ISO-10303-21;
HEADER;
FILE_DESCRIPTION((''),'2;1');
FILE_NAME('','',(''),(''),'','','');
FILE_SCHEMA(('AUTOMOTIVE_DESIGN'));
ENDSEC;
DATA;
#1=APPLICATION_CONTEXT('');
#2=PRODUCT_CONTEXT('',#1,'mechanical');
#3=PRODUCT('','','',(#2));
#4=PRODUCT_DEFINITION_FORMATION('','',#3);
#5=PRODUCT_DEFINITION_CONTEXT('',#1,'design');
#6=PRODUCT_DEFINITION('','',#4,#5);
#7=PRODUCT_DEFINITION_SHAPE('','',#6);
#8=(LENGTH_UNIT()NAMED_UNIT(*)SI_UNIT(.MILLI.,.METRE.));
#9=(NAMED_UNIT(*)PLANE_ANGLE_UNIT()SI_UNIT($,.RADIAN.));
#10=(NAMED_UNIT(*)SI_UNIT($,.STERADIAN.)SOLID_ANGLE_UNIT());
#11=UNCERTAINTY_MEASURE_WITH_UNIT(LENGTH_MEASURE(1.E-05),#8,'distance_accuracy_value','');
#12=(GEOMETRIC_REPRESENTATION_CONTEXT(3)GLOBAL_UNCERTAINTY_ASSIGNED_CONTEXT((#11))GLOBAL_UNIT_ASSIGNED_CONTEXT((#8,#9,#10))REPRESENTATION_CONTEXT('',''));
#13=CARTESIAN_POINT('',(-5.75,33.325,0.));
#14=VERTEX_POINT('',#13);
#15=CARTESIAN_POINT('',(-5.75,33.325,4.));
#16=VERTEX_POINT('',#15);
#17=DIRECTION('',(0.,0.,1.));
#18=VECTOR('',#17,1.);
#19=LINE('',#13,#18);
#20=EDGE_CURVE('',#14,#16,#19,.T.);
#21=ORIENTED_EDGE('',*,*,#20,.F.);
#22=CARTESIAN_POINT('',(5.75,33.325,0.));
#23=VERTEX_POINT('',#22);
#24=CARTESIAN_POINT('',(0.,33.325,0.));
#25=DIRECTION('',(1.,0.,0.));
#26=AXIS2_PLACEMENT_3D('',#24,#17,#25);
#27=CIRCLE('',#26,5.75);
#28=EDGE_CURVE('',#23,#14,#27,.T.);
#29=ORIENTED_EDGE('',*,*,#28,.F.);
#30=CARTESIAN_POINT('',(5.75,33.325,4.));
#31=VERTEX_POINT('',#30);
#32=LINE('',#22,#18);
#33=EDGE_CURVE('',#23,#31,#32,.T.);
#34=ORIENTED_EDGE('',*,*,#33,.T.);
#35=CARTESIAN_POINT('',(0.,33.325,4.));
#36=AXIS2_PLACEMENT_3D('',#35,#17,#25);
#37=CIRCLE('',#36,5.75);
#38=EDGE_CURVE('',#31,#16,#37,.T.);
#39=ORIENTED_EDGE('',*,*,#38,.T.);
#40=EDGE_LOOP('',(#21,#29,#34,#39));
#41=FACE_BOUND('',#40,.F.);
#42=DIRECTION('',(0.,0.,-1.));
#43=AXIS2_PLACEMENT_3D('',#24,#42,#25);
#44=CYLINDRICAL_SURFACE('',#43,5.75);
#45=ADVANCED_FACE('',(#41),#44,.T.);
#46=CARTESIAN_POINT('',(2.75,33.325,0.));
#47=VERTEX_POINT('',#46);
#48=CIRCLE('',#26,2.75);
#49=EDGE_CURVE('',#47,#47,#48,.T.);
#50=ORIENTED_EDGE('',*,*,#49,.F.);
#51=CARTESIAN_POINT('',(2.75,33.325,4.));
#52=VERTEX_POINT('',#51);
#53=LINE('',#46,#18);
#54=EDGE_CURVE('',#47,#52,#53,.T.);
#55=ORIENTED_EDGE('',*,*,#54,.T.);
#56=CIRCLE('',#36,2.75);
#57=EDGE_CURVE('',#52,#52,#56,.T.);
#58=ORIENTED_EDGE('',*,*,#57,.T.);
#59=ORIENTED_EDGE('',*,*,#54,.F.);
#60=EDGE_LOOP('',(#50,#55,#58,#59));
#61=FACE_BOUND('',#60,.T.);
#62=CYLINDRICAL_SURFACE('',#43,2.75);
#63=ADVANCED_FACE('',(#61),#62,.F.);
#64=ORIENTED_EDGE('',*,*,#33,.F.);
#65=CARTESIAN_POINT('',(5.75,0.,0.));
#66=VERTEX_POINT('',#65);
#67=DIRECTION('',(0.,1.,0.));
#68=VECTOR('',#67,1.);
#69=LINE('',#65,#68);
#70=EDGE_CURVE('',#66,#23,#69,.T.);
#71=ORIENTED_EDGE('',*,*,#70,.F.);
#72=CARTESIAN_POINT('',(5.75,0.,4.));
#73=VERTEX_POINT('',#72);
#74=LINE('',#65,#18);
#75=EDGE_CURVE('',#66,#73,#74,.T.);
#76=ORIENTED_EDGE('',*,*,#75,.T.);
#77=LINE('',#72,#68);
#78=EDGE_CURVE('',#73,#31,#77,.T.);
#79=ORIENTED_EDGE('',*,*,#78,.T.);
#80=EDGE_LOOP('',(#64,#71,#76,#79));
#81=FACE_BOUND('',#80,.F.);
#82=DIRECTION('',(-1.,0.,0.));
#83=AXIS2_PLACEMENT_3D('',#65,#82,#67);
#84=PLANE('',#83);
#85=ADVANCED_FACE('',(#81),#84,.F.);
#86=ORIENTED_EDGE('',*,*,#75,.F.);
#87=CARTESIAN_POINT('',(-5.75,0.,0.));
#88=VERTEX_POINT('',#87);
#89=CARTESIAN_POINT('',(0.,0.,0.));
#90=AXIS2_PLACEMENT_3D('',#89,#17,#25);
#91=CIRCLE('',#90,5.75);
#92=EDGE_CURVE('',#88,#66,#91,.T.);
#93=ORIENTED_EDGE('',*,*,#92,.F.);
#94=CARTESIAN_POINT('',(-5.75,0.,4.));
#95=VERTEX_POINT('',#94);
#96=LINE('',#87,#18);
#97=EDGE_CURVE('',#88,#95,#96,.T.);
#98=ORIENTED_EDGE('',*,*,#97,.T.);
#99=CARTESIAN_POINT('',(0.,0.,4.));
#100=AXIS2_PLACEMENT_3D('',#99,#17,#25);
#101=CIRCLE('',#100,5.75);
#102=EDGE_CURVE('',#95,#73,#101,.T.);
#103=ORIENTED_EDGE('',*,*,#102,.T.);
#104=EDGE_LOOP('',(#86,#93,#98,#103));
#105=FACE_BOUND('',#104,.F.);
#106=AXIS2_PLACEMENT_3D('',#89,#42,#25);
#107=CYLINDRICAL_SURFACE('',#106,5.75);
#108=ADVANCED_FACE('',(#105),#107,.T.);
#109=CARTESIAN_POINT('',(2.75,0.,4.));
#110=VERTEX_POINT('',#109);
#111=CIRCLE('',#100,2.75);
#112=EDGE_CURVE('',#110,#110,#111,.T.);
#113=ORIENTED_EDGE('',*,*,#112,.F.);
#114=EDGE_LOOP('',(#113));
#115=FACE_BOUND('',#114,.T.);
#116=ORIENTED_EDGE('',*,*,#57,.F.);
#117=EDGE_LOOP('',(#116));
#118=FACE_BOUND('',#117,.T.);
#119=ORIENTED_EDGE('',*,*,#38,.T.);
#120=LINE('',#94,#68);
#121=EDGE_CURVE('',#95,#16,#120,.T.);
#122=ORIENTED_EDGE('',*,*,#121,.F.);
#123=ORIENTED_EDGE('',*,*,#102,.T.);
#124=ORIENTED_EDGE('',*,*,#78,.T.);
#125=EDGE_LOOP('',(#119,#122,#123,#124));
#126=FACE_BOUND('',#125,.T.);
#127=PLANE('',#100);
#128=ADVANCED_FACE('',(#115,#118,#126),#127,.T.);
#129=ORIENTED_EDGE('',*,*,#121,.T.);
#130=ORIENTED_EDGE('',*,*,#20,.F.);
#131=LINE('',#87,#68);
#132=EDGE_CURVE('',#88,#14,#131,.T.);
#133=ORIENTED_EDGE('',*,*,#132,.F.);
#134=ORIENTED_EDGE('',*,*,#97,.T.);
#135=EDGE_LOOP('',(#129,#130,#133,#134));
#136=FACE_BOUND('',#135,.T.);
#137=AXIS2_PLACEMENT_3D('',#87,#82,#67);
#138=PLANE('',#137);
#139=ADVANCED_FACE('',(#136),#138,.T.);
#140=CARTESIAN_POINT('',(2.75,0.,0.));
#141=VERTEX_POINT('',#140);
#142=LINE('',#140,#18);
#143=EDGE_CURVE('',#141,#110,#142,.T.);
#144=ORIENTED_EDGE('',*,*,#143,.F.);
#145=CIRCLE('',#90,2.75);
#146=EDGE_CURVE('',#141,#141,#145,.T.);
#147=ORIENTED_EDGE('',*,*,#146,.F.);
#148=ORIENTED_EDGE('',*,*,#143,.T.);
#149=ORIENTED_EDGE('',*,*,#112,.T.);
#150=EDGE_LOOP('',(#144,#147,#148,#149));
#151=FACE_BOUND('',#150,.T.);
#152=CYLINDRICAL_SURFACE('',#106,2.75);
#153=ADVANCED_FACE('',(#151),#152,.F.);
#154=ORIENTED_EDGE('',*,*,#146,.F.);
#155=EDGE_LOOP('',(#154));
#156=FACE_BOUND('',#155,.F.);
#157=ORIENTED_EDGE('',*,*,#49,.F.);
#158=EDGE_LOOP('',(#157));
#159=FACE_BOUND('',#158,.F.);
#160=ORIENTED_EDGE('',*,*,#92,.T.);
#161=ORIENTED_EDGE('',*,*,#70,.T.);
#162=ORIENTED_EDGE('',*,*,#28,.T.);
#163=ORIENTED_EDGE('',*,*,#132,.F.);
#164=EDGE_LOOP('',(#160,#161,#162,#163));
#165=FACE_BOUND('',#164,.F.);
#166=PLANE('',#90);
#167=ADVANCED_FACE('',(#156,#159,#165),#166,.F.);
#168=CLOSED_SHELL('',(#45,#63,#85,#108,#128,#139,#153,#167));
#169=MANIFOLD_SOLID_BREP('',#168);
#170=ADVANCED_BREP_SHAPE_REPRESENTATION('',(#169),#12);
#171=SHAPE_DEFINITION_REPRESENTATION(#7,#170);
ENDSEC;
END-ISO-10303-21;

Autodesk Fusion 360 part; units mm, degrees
sketch "Sketch1" plane through (0, 0, 0) normal (0, 0, 1) x (1, 0, 0)
  line L0 (0, 0) -> (0, 33.32) construction
  line L1 (0, 33.32) -> (0, 33.325) construction
  circle A0 centre (0, 33.325) radius 2.75
  circle A1 centre (0, 0) radius 2.75
  circle A2 centre (0, 0) radius 5.75
  circle A3 centre (0, 33.325) radius 5.75
  line L2 (0, 33.325) -> (-5.75, 33.325) construction
  line L3 (0, 33.325) -> (5.75, 33.325) construction
  line L4 (0, 0) -> (5.75, 0) construction
  line L5 (0, 0) -> (-5.75, 0) construction
  line L6 (-5.75, 0) -> (-5.75, 33.325)
  line L7 (5.75, 0) -> (5.75, 33.325)
  dimension "d1" = 33.32
  dimension "d2" = 0.005
  dimension "d3" = 5.5
  dimension "d4" = 5.5
  dimension "d5" = 11.5
  dimension "d6" = 11.5
extrude "Extrude1" add sketch "Sketch1" along normal blind 4
